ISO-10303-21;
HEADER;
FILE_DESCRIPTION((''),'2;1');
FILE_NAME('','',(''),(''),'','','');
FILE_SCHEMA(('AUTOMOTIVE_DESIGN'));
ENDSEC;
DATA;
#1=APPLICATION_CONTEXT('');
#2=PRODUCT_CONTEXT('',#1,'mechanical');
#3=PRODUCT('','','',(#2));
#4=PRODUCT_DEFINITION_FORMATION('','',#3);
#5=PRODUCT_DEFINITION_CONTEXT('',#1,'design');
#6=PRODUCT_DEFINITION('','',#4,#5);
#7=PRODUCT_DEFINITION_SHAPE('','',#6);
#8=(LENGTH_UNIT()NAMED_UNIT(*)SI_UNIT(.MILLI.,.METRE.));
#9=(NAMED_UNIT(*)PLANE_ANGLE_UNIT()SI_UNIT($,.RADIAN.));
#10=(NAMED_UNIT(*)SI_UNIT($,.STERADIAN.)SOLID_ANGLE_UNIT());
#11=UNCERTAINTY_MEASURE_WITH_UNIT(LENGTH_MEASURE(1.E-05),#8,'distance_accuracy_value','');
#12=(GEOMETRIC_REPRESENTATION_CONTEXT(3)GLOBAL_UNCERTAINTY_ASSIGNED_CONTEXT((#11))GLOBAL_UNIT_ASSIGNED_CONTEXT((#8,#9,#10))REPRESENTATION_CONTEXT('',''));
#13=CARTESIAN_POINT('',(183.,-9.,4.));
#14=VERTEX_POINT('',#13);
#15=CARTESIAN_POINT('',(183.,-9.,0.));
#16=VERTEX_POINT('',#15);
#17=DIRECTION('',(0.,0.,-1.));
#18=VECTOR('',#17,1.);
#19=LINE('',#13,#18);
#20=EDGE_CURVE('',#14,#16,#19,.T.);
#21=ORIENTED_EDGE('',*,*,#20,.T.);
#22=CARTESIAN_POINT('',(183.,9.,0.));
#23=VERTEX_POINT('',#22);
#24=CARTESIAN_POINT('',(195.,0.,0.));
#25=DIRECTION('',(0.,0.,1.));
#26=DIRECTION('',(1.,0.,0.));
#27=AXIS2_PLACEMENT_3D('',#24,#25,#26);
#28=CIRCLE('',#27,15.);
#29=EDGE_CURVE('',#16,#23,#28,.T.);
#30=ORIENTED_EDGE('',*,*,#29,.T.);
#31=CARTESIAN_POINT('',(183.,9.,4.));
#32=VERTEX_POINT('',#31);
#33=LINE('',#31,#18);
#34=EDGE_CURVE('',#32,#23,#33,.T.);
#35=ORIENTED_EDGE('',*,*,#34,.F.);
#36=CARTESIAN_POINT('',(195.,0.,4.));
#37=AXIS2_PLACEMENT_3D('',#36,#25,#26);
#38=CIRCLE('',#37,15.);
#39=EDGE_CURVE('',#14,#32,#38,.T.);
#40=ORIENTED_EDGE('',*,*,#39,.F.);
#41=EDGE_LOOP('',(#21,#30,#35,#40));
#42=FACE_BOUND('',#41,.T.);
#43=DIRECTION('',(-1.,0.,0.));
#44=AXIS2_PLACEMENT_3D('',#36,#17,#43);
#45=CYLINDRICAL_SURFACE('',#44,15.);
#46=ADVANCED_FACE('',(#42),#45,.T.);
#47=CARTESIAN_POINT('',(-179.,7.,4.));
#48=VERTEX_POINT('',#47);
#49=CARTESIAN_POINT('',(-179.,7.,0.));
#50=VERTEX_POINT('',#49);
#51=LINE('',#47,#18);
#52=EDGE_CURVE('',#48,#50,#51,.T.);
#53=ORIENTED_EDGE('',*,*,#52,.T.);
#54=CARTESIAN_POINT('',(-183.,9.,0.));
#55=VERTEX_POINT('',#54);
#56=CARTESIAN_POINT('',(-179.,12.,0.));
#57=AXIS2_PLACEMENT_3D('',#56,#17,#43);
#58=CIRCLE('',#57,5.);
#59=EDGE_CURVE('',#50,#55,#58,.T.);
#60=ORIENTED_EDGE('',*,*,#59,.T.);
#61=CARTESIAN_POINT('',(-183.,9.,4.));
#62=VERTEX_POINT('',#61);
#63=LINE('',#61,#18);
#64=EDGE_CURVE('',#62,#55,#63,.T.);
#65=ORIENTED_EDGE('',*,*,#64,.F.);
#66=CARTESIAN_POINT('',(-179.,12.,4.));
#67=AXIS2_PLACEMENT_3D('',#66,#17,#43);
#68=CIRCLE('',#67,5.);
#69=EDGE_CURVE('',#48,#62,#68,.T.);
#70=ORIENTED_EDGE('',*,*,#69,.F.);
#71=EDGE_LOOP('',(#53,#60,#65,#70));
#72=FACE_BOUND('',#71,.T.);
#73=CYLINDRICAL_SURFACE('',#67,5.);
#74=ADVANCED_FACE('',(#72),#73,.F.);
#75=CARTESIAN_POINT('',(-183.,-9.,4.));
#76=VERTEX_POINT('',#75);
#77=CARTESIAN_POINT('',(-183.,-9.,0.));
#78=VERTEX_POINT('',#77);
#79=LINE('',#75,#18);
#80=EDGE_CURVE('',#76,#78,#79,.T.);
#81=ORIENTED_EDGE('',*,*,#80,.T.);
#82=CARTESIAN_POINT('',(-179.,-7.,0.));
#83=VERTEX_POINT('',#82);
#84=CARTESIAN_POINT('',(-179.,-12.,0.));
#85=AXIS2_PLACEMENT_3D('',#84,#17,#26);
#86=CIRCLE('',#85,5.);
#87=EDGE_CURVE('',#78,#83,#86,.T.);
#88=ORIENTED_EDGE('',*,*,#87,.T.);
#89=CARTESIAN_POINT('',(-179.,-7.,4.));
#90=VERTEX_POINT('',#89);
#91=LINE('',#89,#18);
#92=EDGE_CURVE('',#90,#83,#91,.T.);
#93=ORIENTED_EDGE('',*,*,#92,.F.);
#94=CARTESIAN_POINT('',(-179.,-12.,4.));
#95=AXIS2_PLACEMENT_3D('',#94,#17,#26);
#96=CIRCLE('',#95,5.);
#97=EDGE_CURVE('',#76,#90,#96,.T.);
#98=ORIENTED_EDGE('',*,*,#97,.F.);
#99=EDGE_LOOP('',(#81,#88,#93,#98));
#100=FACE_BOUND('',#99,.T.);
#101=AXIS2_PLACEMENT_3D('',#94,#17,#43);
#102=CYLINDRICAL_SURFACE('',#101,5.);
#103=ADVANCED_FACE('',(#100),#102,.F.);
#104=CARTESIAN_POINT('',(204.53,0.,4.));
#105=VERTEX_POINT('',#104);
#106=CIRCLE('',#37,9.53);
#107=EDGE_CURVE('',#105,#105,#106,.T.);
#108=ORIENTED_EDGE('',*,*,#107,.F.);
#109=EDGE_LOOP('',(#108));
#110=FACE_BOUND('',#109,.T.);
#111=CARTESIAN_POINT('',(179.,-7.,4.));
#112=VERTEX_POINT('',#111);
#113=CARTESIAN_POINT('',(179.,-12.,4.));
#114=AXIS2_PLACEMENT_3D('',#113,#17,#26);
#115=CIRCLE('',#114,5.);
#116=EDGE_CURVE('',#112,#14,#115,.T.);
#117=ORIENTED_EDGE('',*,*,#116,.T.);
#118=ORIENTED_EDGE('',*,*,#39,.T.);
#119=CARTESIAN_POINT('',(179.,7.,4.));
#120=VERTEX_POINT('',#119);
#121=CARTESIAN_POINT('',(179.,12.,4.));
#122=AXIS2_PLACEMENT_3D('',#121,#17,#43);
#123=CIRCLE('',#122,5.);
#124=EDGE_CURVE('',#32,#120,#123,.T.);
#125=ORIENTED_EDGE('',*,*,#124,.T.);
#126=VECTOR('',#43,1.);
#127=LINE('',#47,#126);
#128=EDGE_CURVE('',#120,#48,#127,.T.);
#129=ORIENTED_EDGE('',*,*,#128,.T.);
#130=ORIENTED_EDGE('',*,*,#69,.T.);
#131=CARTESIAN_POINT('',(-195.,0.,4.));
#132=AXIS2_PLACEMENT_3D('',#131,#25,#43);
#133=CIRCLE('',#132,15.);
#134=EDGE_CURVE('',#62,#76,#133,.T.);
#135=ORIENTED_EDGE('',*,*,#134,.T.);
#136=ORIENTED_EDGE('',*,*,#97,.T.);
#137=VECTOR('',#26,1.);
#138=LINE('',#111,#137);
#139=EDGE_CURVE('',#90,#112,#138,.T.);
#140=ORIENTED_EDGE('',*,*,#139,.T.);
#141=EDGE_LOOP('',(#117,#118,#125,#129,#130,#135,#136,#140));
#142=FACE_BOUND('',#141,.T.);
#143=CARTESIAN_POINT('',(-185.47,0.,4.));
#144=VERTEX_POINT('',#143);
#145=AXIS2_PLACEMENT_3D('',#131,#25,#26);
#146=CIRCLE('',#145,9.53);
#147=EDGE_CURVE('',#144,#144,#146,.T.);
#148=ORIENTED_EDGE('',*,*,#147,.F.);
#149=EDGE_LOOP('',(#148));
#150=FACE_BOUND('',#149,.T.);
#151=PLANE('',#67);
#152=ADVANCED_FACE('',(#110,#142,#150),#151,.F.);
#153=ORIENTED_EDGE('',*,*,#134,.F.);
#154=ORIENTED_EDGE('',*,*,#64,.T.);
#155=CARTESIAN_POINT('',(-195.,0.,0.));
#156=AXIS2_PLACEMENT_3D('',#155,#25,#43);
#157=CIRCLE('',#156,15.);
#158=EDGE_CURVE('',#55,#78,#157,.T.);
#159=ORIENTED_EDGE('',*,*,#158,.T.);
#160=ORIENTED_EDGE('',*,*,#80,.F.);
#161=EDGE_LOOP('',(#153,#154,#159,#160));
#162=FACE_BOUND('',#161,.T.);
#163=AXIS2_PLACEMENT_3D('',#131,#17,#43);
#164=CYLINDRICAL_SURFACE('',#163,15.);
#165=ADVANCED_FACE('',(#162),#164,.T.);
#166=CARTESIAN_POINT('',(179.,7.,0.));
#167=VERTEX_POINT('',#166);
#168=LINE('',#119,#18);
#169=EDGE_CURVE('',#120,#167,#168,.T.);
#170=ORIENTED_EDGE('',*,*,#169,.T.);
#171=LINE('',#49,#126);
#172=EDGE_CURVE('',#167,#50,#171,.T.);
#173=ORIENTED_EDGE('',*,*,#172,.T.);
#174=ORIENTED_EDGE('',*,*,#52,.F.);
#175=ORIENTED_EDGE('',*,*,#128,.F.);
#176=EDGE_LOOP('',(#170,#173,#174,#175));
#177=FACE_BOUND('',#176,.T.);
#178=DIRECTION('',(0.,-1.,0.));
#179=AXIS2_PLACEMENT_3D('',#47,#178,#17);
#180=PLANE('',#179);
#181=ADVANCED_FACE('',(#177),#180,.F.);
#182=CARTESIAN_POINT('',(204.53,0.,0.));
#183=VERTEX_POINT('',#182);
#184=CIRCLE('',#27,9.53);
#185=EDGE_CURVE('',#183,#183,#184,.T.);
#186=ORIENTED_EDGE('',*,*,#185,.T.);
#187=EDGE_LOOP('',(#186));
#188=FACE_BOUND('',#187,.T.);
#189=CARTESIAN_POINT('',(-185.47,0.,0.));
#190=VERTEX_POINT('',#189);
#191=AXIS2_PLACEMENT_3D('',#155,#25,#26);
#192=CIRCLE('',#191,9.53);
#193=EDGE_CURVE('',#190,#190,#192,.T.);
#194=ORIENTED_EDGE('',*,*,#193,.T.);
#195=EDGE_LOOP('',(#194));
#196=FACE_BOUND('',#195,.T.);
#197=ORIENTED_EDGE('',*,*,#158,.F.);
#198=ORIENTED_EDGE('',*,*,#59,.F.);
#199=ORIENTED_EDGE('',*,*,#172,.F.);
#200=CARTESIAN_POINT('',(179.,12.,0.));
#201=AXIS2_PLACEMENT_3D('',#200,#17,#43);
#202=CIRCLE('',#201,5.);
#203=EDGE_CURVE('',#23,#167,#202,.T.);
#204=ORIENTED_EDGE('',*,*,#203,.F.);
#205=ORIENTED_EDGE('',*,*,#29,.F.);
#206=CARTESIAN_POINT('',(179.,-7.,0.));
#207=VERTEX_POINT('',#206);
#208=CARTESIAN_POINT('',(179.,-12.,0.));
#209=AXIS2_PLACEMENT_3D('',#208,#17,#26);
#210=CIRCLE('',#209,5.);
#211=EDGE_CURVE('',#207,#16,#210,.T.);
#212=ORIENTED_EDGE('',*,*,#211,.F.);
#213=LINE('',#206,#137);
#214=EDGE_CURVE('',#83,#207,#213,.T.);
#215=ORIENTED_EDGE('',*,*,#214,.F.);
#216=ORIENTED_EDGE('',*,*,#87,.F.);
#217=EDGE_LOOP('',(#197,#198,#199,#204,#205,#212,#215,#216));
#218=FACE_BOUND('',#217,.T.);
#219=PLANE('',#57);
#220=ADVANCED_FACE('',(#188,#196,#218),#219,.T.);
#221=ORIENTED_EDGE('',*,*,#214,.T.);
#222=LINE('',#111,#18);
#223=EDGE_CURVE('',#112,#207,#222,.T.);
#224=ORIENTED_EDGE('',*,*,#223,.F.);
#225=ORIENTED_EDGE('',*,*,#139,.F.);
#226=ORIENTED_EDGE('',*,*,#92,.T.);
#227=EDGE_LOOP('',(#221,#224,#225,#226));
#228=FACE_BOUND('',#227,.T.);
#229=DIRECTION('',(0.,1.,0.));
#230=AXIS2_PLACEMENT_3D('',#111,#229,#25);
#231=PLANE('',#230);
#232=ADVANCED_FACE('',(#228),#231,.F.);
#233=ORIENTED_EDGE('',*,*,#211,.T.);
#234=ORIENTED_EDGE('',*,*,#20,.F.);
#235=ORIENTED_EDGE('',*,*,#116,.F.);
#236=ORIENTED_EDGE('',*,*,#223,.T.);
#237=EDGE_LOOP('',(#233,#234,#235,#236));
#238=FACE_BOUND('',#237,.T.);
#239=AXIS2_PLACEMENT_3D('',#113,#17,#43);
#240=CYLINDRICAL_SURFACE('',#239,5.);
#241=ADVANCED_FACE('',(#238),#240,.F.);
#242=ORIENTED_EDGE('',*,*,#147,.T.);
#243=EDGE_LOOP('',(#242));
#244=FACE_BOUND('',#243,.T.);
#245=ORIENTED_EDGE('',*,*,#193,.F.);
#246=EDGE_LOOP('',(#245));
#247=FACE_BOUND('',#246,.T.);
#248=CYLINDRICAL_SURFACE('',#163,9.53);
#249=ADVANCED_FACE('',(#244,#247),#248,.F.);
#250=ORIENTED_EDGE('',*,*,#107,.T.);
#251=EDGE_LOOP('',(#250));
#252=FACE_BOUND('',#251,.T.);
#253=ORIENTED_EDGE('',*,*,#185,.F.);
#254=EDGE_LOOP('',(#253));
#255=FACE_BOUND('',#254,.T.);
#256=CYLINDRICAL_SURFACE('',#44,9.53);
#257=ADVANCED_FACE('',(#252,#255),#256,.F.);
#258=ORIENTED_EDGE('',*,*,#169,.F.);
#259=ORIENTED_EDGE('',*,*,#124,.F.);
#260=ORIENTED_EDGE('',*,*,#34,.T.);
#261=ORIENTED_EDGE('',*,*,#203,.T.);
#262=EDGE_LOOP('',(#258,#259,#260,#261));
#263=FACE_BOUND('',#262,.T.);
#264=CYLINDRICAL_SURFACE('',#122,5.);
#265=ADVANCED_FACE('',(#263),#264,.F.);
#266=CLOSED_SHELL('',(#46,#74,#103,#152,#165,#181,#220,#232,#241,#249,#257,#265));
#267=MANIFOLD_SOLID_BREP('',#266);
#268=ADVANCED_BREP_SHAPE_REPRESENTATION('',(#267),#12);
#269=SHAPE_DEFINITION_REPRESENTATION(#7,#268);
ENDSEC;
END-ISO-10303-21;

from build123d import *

# Parameters (mm, degrees)
SKETCH_2_R      = 9.53
EXTRUDE_2_DEPTH = 4


with BuildPart() as part:
    # 草图2 → 凸台-拉伸2 (new body)
    with BuildSketch(Plane.XY):
        with BuildLine():
            Line((-179, 7), (179, 7))
            ThreePointArc((179, 7), (181.236067978, 7.527864045), (183, 9))
            ThreePointArc((183, 9), (210, 0), (183, -9))
            ThreePointArc((183, -9), (181.236067978, -7.527864045), (179, -7))
            Line((179, -7), (-179, -7))
            ThreePointArc((-179, -7), (-181.236067977, -7.527864045), (-183, -9))
            ThreePointArc((-183, -9), (-210, 0), (-183, 9))
            ThreePointArc((-183, 9), (-181.236067977, 7.527864045), (-179, 7))
        make_face()
        with Locations((-195, 0)):
            Circle(SKETCH_2_R, mode=Mode.SUBTRACT)
        with Locations((195, 0)):
            Circle(SKETCH_2_R, mode=Mode.SUBTRACT)
    extrude(amount=EXTRUDE_2_DEPTH)


solid = part.part
